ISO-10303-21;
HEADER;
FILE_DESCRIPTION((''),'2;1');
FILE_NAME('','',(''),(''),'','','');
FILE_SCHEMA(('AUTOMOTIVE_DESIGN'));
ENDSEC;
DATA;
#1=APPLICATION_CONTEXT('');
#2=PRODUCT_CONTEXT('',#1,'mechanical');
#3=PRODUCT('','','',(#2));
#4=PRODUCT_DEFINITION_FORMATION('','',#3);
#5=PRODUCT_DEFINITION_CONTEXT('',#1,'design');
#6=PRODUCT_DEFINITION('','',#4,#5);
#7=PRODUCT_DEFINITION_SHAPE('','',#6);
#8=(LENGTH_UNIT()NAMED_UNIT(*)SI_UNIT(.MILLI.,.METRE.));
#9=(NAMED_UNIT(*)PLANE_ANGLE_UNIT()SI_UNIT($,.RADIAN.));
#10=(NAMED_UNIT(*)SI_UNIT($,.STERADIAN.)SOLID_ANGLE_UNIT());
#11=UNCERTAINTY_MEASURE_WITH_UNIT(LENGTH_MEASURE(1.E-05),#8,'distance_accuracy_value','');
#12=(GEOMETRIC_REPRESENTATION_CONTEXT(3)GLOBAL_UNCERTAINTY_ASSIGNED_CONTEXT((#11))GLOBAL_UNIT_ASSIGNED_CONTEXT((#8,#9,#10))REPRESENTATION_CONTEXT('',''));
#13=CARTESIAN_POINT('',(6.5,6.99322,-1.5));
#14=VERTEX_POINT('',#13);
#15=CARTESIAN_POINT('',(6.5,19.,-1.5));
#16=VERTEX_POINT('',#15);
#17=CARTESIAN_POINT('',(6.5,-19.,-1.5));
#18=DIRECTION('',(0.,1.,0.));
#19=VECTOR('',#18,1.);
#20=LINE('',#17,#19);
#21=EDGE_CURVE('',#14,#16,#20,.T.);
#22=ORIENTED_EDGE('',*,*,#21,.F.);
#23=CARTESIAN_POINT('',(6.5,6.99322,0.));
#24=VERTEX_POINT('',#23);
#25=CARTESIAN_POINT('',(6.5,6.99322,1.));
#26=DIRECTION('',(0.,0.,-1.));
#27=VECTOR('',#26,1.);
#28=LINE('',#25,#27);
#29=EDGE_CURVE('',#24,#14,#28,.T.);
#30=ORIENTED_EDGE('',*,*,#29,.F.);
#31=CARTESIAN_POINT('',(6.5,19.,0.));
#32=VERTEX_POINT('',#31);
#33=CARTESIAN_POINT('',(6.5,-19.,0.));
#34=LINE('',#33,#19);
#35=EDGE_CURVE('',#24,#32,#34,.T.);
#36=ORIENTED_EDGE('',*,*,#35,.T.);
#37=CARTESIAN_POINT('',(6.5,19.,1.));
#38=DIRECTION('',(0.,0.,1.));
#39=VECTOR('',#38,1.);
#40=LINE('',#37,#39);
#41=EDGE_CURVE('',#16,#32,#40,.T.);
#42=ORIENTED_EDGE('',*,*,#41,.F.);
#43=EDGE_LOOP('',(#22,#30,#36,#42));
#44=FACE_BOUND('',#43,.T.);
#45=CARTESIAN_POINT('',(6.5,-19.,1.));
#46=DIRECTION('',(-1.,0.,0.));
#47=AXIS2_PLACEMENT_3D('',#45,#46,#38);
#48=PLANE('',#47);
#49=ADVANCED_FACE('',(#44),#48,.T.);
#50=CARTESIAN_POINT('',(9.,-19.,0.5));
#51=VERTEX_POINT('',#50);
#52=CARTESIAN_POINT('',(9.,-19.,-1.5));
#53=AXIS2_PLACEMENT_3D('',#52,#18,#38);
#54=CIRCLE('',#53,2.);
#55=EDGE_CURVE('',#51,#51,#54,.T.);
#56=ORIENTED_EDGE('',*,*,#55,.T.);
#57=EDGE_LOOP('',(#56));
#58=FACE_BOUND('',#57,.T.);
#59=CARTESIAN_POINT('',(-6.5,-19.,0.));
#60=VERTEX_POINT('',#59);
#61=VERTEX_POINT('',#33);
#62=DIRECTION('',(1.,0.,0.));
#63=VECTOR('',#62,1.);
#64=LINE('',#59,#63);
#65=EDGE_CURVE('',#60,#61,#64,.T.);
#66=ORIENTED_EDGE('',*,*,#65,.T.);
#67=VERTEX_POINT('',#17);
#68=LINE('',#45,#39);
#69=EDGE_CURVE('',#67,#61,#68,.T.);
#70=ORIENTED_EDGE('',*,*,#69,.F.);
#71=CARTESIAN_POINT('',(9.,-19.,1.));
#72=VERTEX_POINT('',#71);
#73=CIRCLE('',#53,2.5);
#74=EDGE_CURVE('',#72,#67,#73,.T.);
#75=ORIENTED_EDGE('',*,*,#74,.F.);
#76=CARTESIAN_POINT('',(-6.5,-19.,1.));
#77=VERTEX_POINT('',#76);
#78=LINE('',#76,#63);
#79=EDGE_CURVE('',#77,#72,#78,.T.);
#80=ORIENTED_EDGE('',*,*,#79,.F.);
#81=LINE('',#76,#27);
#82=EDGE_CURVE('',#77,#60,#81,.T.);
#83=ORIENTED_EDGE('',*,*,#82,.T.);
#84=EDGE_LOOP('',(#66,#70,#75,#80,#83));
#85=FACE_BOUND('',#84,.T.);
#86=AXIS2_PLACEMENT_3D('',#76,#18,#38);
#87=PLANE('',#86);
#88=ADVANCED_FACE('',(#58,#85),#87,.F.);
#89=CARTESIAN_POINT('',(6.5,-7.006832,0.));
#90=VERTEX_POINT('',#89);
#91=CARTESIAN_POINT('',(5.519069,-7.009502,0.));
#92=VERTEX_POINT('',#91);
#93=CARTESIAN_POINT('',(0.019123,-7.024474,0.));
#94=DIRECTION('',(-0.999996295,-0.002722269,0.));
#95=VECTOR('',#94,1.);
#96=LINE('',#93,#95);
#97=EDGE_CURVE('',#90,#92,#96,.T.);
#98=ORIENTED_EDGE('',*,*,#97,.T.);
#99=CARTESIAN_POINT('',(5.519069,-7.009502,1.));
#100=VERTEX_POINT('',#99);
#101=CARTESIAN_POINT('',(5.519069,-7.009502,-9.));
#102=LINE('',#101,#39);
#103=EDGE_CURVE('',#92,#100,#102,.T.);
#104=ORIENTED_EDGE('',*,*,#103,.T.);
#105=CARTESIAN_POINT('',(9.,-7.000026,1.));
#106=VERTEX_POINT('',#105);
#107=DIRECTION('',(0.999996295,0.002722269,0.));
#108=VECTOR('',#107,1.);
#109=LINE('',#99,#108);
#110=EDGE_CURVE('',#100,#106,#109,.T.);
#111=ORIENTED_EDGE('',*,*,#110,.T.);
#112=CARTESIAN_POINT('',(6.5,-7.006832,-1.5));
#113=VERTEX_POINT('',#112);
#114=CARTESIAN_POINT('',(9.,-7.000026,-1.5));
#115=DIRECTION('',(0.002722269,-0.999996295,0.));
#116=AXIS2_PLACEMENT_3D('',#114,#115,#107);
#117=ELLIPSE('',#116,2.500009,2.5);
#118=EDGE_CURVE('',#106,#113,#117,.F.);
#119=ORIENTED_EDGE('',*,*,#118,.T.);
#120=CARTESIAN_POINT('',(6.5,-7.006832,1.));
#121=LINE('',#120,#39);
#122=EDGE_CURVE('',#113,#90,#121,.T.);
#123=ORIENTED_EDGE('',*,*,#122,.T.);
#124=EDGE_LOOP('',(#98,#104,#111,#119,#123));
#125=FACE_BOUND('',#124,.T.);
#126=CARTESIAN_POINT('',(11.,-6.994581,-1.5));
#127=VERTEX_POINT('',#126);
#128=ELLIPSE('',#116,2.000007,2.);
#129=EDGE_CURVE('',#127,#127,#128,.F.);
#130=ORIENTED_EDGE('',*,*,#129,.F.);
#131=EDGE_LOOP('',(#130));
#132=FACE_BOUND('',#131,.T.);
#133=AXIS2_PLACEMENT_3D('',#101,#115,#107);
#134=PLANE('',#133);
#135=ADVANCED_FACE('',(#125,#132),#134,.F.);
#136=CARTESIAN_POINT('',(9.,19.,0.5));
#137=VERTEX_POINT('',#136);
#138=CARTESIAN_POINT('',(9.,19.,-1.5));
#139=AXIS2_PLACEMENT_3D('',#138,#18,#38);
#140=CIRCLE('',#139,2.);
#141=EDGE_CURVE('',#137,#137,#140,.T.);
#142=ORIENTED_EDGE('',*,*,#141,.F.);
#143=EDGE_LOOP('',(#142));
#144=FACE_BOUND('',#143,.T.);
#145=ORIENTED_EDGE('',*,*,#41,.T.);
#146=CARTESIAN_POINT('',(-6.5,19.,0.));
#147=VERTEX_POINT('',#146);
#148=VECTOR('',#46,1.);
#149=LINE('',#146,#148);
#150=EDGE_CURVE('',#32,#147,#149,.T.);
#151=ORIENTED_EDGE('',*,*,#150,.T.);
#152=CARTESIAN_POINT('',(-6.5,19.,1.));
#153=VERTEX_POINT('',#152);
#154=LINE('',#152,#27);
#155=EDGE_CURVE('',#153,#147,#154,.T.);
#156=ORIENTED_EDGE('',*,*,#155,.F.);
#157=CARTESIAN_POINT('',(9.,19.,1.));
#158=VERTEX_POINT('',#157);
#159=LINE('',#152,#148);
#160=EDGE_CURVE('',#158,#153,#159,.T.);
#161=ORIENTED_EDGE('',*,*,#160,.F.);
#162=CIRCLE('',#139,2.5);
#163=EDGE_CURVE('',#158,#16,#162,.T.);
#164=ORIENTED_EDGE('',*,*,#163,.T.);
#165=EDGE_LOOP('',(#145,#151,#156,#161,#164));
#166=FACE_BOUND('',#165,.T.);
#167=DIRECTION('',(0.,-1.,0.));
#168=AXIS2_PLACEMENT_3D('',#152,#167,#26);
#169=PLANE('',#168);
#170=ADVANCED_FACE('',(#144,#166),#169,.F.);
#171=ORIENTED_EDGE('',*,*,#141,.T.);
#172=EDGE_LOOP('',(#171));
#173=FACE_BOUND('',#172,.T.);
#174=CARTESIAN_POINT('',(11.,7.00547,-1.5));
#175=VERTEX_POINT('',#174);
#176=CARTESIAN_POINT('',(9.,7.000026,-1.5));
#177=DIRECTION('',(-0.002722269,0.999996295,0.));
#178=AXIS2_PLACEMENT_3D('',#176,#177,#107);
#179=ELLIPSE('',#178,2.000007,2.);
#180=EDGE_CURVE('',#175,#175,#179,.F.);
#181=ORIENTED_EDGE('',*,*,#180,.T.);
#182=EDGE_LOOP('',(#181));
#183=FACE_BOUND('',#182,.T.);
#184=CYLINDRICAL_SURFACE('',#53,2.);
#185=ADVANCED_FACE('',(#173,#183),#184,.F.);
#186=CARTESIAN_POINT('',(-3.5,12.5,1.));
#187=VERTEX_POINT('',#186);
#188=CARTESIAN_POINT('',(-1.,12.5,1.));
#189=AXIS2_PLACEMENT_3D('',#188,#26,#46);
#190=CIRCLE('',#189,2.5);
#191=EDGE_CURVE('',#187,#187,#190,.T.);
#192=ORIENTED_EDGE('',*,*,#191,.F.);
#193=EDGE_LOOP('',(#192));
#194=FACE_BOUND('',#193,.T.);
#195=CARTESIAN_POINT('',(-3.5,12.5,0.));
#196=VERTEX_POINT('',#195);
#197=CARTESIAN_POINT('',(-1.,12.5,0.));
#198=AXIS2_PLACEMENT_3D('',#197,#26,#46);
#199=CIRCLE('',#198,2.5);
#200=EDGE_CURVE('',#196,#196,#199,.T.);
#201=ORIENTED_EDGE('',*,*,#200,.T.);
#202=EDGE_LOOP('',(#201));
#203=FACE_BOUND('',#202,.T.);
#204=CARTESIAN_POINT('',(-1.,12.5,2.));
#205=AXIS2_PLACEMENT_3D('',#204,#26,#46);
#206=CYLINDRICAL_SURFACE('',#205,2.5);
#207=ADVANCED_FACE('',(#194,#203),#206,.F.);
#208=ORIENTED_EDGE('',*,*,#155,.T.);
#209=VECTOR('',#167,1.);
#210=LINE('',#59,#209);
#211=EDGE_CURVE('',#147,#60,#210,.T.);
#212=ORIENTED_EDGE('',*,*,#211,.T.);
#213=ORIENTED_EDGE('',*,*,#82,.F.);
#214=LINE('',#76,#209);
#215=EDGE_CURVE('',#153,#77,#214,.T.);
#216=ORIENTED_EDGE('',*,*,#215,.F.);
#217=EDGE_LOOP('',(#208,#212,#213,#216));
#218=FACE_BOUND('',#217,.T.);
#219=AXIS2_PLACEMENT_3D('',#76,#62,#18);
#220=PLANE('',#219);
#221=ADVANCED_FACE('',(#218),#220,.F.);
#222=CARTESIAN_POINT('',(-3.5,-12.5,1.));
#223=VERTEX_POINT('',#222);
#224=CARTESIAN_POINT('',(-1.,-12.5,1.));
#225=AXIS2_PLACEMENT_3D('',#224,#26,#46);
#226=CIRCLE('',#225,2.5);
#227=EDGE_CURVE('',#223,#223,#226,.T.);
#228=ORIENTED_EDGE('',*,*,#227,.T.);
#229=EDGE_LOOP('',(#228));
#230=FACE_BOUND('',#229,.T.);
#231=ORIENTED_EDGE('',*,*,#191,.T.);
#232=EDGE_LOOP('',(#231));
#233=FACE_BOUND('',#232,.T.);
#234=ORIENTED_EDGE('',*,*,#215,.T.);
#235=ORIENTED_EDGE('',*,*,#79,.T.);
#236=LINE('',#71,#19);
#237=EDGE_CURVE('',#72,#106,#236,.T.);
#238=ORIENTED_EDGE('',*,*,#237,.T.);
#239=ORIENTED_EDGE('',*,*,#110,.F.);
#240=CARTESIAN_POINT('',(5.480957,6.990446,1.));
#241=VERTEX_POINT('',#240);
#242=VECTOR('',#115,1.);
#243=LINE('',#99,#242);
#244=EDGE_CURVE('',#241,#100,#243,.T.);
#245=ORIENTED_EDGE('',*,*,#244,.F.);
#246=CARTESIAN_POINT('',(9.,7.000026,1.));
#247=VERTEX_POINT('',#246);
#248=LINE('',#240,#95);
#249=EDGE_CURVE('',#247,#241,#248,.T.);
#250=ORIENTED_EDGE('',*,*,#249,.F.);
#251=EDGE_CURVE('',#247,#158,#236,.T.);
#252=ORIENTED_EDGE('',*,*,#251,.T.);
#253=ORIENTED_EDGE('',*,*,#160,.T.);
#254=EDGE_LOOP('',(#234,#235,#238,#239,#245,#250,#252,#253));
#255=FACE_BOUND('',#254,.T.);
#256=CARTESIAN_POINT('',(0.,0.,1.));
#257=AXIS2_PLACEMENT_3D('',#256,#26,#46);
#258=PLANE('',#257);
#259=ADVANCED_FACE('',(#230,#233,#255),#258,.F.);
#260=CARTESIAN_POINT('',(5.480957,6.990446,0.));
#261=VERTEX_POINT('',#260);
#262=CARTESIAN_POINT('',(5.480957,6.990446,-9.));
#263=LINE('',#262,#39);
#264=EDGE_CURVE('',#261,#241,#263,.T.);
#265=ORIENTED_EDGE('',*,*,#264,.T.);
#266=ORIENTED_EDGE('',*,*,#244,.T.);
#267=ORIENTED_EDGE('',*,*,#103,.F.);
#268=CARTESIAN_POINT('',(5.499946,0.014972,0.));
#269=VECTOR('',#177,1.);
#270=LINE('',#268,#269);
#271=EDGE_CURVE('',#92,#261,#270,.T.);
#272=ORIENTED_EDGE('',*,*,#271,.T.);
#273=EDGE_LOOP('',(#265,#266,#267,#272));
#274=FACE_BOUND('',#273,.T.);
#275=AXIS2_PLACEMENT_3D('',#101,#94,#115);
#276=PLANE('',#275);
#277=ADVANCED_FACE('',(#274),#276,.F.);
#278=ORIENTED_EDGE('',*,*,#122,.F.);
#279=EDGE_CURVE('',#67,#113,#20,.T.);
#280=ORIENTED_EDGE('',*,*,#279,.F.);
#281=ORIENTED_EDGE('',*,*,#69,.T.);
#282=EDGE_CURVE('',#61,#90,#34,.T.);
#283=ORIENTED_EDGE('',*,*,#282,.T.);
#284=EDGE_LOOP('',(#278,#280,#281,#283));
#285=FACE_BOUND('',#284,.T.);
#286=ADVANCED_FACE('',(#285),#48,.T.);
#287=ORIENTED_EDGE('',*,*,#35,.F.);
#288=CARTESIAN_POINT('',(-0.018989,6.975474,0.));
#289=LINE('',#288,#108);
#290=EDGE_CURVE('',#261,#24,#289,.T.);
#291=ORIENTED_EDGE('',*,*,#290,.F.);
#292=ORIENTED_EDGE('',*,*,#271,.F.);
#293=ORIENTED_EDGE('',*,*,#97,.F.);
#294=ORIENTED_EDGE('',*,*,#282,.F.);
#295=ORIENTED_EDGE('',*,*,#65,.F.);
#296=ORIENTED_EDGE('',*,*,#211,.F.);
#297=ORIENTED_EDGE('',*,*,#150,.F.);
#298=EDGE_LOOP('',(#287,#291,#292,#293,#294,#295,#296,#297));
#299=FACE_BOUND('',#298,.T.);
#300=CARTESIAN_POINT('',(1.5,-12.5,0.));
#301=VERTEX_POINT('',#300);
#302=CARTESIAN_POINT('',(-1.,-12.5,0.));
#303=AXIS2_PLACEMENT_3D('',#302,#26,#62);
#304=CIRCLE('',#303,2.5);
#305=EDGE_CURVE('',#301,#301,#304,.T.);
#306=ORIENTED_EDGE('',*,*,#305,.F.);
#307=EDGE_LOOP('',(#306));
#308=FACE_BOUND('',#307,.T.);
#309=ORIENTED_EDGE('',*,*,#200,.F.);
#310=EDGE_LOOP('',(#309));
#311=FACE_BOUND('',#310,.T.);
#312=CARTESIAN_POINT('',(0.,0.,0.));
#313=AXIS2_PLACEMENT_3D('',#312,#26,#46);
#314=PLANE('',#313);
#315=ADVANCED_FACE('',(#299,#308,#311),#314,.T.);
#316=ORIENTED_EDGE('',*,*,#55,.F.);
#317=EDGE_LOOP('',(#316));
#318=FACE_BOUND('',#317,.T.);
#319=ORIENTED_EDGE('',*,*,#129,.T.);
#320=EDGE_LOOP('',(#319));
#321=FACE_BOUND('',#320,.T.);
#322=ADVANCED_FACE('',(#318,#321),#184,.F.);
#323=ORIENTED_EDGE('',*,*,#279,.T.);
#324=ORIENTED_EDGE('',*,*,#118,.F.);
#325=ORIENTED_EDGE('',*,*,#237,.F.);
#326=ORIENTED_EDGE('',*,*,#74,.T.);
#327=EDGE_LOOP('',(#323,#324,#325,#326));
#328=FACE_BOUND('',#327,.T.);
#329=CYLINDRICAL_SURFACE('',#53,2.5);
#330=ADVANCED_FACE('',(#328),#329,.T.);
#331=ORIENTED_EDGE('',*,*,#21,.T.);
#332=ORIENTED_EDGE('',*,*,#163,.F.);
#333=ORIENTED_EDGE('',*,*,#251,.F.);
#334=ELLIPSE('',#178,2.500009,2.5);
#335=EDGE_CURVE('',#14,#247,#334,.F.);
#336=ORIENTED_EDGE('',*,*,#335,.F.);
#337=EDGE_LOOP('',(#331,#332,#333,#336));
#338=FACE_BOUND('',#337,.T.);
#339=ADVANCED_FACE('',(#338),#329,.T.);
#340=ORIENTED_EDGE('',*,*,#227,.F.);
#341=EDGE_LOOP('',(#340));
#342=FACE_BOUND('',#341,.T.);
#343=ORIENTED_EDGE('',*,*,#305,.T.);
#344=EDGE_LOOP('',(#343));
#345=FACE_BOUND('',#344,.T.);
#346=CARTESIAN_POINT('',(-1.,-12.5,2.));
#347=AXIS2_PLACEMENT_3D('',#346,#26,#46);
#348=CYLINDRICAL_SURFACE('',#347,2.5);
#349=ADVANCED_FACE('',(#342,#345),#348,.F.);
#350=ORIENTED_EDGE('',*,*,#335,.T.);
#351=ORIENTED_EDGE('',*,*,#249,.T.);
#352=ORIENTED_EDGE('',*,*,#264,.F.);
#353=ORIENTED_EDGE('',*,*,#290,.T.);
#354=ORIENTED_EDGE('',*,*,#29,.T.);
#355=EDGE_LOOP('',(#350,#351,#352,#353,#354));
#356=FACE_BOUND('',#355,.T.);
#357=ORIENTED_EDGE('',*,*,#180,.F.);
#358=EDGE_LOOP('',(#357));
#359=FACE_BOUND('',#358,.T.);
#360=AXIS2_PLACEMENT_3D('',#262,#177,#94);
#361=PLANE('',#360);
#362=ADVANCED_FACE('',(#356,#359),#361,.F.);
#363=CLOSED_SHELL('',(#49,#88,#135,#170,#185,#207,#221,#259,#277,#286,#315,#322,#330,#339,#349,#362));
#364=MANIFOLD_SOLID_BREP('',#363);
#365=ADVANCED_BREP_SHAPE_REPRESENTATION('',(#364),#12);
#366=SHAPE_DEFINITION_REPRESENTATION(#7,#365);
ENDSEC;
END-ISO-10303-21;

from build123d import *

# Parameters (mm, degrees)
SKETCH_1_W          = 13
SKETCH_1_H          = 38
EXTRUDE_1_DEPTH     = 1
SKETCH_2_R          = 2
EXTRUDE_2_DEPTH     = 38
CUT_EXTRUDE_1_DEPTH = 10
SKETCH_4_R          = 2.5
CUT_EXTRUDE_2_DEPTH = 2


with BuildPart() as part:
    # 草图1 → 凸台-拉伸1 (new body)
    with BuildSketch(Plane.XY):
        Rectangle(SKETCH_1_W, SKETCH_1_H)
    extrude(amount=EXTRUDE_1_DEPTH)

    # 草图2 → 凸台-拉伸2 (add)
    with BuildSketch(Plane(origin=(0, 19, 0), x_dir=(1, 0, 0), z_dir=(0, 1, 0))):
        with BuildLine():
            Line((6.5, -1), (9, -1))
            ThreePointArc((9, -1), (10.767766953, 3.267766953), (6.5, 1.5))
            Line((6.5, 1.5), (6.5, -1))
        make_face()
        with Locations((9, 1.5)):
            Circle(SKETCH_2_R, mode=Mode.SUBTRACT)
    extrude(amount=-EXTRUDE_2_DEPTH)

    # 草图3 → 切除-拉伸1 (cut)
    with BuildSketch(Plane.XY.offset(1)):
        Polygon((5.519068854, -7.009502005), (12.519042916, -6.99044612), (12.480931146, 7.009502005), (5.480957084, 6.99044612), align=None)
    extrude(amount=-CUT_EXTRUDE_1_DEPTH, mode=Mode.SUBTRACT)

    # 草图4 → 切除-拉伸2 (cut)
    with BuildSketch(Plane(origin=(0, 0, 0), x_dir=(-1, 0, 0), z_dir=(0, 0, -1))):
        with Locations((1, 12.5)):
            Circle(SKETCH_4_R)
        with Locations((1, -12.5)):
            Circle(SKETCH_4_R)
    extrude(amount=-CUT_EXTRUDE_2_DEPTH, mode=Mode.SUBTRACT)


solid = part.part
